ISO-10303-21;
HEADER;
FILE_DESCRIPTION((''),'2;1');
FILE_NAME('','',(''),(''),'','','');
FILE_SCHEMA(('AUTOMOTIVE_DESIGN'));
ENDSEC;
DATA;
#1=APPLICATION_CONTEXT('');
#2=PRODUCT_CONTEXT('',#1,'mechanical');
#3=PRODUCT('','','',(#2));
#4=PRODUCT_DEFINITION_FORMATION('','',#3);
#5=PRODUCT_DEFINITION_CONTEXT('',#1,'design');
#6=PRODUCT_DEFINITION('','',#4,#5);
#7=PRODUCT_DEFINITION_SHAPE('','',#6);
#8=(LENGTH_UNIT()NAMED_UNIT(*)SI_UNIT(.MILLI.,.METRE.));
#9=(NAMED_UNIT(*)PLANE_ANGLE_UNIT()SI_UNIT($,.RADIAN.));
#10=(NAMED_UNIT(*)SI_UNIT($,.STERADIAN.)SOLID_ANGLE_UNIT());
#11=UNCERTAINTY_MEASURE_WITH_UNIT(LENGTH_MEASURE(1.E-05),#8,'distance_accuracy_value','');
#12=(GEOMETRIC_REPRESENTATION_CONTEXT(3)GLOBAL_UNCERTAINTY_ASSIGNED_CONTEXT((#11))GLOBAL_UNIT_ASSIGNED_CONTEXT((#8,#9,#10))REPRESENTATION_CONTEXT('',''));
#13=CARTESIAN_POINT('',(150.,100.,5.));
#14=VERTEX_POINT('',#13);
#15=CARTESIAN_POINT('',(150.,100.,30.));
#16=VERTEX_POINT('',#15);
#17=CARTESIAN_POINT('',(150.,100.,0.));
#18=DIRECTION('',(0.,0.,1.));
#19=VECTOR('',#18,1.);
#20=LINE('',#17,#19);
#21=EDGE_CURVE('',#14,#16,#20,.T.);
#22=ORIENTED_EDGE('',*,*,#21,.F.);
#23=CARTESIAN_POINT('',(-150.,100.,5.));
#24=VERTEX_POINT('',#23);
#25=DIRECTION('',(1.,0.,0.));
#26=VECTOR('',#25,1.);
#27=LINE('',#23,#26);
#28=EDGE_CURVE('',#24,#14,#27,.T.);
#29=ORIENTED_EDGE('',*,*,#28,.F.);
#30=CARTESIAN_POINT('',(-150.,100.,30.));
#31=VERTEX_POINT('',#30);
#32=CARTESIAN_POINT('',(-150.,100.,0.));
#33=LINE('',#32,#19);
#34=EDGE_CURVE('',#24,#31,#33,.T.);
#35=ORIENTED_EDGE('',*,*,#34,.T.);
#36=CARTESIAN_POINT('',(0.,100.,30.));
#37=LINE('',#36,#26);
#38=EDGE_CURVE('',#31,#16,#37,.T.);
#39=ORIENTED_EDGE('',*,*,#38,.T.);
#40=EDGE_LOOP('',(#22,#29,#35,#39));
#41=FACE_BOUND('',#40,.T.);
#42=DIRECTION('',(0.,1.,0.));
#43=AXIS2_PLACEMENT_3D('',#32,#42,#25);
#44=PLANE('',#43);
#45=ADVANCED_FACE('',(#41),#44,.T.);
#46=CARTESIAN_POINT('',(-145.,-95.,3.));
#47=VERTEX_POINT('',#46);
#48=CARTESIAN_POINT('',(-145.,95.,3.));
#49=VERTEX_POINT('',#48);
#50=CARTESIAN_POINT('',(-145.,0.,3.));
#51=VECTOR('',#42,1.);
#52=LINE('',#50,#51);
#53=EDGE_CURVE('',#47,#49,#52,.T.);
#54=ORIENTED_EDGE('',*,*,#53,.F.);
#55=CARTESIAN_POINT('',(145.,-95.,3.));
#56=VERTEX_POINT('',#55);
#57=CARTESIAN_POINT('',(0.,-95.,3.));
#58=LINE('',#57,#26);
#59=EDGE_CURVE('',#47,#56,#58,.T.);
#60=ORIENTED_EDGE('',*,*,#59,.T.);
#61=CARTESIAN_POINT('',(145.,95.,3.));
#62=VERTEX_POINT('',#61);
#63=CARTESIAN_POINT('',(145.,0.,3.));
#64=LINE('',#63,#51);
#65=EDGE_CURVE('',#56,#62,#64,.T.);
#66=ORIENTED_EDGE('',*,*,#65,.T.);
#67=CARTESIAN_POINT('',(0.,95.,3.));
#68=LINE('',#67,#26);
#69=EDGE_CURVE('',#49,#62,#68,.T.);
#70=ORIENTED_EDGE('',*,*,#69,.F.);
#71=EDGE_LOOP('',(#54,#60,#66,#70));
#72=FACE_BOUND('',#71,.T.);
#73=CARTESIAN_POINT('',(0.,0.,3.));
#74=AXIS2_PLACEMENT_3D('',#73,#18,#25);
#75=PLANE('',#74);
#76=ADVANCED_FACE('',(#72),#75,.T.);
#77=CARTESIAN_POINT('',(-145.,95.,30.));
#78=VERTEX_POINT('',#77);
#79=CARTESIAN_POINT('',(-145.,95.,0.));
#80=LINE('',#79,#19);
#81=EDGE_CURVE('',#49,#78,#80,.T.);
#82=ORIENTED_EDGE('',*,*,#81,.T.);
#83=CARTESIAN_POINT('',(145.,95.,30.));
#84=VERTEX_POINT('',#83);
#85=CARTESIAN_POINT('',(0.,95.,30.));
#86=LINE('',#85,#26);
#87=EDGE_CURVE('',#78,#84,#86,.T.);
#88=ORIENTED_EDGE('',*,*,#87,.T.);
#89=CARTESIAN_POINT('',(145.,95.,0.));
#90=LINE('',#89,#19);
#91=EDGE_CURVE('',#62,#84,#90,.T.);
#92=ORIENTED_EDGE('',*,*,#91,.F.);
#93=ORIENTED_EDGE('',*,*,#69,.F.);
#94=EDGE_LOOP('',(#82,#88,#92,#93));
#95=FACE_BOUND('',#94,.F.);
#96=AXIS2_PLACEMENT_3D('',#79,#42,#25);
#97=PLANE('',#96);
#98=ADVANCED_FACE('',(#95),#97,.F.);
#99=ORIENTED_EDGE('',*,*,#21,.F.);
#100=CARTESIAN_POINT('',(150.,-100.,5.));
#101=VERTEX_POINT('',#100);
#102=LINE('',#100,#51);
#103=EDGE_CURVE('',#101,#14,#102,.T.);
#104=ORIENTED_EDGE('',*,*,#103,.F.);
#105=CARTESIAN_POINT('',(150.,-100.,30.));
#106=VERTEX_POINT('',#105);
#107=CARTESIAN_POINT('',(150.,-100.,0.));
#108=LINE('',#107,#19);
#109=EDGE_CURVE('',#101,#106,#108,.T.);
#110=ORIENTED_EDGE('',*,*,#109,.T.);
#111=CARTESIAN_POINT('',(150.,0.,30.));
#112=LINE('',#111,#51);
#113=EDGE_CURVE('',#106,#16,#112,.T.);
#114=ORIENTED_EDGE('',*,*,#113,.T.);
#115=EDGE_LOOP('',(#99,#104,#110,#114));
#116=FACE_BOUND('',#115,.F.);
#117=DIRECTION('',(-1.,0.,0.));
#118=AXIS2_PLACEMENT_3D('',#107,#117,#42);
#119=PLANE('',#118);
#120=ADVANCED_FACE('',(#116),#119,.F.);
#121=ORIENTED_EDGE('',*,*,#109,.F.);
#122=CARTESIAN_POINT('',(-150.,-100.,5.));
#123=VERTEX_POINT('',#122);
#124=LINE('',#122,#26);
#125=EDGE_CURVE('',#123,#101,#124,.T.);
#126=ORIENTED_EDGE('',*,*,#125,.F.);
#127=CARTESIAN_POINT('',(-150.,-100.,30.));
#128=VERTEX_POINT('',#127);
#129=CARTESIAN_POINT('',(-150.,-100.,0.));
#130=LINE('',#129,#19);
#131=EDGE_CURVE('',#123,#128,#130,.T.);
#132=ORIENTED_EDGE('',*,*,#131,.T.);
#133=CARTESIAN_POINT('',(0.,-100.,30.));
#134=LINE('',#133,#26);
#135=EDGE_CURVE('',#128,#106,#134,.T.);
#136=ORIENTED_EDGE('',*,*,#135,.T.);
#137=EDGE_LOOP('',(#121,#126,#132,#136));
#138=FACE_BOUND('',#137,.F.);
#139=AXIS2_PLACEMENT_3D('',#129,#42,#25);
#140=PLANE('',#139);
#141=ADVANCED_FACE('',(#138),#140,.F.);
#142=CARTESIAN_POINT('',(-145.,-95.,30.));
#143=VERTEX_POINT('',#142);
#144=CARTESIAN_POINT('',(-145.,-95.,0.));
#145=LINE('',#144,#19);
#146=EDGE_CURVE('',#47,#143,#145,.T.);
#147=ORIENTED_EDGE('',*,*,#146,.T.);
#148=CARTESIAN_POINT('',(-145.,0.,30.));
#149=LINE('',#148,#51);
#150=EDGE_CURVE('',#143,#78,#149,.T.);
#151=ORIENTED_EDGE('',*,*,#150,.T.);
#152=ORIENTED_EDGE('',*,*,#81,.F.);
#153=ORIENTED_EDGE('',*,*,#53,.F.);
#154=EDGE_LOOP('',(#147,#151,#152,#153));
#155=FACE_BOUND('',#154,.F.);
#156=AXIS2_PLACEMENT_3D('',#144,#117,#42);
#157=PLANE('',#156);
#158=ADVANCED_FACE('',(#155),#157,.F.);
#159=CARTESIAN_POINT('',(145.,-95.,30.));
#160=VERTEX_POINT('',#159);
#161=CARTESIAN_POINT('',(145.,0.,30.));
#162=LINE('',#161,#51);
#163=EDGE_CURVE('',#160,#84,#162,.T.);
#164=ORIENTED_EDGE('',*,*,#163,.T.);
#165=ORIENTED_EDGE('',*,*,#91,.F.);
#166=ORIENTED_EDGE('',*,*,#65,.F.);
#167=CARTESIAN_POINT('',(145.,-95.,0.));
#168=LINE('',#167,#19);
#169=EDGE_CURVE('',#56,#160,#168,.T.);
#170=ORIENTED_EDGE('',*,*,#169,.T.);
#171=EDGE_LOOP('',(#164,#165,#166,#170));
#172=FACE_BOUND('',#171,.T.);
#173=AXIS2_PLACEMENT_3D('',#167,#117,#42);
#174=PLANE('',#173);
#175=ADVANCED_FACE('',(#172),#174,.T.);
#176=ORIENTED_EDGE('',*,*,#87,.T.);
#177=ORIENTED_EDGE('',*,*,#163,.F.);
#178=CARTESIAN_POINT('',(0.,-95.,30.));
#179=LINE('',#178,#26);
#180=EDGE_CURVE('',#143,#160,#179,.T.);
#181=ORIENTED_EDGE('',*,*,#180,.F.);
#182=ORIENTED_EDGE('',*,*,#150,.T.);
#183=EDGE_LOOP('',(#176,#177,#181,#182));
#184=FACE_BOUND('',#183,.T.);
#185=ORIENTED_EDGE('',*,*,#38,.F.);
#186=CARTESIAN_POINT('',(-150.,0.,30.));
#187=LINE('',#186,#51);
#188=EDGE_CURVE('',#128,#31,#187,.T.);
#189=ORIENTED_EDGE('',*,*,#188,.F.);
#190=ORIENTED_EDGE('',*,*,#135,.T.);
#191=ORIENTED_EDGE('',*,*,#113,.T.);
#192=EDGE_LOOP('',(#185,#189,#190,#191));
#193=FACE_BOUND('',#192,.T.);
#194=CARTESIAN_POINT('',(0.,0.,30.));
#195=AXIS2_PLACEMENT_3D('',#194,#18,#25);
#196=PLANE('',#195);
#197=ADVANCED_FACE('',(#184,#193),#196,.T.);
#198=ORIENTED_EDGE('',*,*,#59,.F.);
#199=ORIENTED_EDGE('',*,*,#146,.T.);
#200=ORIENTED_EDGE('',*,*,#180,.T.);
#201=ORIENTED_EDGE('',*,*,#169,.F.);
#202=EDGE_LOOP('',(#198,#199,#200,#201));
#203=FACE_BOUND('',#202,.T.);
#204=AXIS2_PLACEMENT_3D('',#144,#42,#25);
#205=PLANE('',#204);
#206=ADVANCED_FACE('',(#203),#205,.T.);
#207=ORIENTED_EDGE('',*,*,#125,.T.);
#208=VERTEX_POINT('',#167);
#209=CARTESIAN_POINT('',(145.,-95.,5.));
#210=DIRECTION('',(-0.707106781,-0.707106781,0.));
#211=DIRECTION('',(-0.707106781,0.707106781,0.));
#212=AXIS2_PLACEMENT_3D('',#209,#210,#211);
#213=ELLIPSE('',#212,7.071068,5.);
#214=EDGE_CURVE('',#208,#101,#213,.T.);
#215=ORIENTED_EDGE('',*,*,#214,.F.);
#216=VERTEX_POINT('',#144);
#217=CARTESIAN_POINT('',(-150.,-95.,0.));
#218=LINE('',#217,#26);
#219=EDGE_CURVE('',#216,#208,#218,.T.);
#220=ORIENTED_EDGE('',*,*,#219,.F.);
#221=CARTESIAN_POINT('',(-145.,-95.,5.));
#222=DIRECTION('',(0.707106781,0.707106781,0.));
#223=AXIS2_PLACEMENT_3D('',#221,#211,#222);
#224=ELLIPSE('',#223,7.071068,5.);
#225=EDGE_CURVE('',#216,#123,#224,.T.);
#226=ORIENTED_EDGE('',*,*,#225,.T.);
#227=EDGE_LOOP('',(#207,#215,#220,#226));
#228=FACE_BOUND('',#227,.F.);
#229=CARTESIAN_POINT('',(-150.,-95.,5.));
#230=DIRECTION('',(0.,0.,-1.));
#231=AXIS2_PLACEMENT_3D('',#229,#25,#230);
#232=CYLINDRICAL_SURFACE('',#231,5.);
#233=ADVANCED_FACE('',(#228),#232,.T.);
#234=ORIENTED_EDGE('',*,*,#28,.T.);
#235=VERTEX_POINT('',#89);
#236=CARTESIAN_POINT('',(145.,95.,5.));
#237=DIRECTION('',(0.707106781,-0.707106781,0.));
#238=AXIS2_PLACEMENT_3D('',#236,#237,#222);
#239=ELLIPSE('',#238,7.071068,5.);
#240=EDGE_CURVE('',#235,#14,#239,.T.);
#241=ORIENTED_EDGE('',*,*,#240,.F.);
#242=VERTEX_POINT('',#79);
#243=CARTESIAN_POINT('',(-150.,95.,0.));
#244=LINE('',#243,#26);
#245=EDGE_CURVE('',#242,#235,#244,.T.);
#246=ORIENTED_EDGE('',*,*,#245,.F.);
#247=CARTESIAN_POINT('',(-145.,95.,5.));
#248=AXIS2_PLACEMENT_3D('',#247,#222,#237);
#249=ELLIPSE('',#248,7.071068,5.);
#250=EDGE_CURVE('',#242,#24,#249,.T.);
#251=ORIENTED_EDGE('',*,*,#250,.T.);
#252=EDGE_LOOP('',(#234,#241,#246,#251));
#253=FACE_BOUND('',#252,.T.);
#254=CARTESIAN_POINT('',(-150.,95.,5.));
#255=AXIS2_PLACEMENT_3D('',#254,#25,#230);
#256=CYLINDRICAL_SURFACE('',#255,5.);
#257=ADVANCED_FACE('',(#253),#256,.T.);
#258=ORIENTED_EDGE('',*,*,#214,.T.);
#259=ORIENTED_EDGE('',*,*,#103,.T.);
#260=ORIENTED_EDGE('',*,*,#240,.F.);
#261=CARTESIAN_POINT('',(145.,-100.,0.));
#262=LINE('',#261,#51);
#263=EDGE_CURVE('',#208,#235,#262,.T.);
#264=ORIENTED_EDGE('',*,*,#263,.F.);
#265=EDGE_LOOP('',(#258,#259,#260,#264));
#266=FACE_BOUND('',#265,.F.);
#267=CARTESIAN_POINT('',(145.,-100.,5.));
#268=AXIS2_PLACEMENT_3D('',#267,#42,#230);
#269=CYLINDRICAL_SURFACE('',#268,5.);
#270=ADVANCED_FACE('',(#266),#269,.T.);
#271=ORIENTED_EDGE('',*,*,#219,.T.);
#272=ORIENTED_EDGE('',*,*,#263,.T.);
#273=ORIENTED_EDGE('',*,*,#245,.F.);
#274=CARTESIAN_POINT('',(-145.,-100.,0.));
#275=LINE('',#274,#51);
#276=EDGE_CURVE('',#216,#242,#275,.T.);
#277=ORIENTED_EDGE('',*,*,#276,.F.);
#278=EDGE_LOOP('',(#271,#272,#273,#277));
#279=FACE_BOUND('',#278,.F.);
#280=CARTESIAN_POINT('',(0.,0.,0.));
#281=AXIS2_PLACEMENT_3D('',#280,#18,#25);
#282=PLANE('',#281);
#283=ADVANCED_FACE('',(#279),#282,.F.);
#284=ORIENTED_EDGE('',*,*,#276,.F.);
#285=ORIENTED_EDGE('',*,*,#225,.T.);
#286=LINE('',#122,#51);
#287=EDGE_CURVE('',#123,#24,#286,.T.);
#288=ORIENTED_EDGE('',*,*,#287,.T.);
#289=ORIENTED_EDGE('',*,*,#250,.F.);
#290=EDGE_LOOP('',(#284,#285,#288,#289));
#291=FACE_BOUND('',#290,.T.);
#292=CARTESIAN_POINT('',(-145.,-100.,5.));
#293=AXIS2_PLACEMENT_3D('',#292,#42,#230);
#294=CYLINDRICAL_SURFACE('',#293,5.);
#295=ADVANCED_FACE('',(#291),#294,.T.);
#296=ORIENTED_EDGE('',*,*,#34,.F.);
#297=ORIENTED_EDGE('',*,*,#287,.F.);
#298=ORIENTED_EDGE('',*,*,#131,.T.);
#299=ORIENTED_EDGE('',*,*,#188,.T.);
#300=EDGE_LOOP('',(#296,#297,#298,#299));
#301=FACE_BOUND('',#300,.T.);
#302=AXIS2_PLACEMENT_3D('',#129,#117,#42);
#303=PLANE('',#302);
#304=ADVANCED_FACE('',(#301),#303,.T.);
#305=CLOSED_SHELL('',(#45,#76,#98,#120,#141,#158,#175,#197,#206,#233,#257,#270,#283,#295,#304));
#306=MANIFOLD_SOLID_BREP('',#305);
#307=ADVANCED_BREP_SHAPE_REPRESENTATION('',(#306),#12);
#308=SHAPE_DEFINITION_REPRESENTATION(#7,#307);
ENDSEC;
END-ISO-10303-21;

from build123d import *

# Parameters (mm, degrees)
F0_W     = 300
F0_H     = 200
F0_W_2   = 295
F0_H_2   = 195
F0_W_3   = 290
F0_H_3   = 190
F1_DEPTH = 30
F2_DEPTH = 3
F3_DEPTH = 3
F4_R     = 5


with BuildPart() as f1:
    # F0 (on Top) → F1 (new body)
    with BuildSketch(Plane.XY):
        Rectangle(F0_W, F0_H)
        Rectangle(F0_W_2, F0_H_2, mode=Mode.SUBTRACT)
        Rectangle(F0_W_2, F0_H_2)
        Rectangle(F0_W_3, F0_H_3, mode=Mode.SUBTRACT)
    extrude(amount=F1_DEPTH)

    # F0 (on Top) → F2 (cut)
    with BuildSketch(Plane.XY):
        Rectangle(F0_W_2, F0_H_2)
        Rectangle(F0_W_3, F0_H_3, mode=Mode.SUBTRACT)
    extrude(amount=F2_DEPTH, mode=Mode.SUBTRACT)

    # F0 (on Top) → F3 (join)
    with BuildSketch(Plane.XY):
        Rectangle(F0_W_2, F0_H_2)
        Rectangle(F0_W_3, F0_H_3, mode=Mode.SUBTRACT)
        Rectangle(F0_W_3, F0_H_3)
    extrude(amount=F3_DEPTH)

    # F4
    f4_edges = [f1.edges().sort_by_distance(p)[0] for p in [
        (150, 0, 0),
        (0, 100, 0),
        (-150, 0, 0),
        (0, -100, 0),
    ]]
    fillet(f4_edges, radius=F4_R)


solid = f1.part
